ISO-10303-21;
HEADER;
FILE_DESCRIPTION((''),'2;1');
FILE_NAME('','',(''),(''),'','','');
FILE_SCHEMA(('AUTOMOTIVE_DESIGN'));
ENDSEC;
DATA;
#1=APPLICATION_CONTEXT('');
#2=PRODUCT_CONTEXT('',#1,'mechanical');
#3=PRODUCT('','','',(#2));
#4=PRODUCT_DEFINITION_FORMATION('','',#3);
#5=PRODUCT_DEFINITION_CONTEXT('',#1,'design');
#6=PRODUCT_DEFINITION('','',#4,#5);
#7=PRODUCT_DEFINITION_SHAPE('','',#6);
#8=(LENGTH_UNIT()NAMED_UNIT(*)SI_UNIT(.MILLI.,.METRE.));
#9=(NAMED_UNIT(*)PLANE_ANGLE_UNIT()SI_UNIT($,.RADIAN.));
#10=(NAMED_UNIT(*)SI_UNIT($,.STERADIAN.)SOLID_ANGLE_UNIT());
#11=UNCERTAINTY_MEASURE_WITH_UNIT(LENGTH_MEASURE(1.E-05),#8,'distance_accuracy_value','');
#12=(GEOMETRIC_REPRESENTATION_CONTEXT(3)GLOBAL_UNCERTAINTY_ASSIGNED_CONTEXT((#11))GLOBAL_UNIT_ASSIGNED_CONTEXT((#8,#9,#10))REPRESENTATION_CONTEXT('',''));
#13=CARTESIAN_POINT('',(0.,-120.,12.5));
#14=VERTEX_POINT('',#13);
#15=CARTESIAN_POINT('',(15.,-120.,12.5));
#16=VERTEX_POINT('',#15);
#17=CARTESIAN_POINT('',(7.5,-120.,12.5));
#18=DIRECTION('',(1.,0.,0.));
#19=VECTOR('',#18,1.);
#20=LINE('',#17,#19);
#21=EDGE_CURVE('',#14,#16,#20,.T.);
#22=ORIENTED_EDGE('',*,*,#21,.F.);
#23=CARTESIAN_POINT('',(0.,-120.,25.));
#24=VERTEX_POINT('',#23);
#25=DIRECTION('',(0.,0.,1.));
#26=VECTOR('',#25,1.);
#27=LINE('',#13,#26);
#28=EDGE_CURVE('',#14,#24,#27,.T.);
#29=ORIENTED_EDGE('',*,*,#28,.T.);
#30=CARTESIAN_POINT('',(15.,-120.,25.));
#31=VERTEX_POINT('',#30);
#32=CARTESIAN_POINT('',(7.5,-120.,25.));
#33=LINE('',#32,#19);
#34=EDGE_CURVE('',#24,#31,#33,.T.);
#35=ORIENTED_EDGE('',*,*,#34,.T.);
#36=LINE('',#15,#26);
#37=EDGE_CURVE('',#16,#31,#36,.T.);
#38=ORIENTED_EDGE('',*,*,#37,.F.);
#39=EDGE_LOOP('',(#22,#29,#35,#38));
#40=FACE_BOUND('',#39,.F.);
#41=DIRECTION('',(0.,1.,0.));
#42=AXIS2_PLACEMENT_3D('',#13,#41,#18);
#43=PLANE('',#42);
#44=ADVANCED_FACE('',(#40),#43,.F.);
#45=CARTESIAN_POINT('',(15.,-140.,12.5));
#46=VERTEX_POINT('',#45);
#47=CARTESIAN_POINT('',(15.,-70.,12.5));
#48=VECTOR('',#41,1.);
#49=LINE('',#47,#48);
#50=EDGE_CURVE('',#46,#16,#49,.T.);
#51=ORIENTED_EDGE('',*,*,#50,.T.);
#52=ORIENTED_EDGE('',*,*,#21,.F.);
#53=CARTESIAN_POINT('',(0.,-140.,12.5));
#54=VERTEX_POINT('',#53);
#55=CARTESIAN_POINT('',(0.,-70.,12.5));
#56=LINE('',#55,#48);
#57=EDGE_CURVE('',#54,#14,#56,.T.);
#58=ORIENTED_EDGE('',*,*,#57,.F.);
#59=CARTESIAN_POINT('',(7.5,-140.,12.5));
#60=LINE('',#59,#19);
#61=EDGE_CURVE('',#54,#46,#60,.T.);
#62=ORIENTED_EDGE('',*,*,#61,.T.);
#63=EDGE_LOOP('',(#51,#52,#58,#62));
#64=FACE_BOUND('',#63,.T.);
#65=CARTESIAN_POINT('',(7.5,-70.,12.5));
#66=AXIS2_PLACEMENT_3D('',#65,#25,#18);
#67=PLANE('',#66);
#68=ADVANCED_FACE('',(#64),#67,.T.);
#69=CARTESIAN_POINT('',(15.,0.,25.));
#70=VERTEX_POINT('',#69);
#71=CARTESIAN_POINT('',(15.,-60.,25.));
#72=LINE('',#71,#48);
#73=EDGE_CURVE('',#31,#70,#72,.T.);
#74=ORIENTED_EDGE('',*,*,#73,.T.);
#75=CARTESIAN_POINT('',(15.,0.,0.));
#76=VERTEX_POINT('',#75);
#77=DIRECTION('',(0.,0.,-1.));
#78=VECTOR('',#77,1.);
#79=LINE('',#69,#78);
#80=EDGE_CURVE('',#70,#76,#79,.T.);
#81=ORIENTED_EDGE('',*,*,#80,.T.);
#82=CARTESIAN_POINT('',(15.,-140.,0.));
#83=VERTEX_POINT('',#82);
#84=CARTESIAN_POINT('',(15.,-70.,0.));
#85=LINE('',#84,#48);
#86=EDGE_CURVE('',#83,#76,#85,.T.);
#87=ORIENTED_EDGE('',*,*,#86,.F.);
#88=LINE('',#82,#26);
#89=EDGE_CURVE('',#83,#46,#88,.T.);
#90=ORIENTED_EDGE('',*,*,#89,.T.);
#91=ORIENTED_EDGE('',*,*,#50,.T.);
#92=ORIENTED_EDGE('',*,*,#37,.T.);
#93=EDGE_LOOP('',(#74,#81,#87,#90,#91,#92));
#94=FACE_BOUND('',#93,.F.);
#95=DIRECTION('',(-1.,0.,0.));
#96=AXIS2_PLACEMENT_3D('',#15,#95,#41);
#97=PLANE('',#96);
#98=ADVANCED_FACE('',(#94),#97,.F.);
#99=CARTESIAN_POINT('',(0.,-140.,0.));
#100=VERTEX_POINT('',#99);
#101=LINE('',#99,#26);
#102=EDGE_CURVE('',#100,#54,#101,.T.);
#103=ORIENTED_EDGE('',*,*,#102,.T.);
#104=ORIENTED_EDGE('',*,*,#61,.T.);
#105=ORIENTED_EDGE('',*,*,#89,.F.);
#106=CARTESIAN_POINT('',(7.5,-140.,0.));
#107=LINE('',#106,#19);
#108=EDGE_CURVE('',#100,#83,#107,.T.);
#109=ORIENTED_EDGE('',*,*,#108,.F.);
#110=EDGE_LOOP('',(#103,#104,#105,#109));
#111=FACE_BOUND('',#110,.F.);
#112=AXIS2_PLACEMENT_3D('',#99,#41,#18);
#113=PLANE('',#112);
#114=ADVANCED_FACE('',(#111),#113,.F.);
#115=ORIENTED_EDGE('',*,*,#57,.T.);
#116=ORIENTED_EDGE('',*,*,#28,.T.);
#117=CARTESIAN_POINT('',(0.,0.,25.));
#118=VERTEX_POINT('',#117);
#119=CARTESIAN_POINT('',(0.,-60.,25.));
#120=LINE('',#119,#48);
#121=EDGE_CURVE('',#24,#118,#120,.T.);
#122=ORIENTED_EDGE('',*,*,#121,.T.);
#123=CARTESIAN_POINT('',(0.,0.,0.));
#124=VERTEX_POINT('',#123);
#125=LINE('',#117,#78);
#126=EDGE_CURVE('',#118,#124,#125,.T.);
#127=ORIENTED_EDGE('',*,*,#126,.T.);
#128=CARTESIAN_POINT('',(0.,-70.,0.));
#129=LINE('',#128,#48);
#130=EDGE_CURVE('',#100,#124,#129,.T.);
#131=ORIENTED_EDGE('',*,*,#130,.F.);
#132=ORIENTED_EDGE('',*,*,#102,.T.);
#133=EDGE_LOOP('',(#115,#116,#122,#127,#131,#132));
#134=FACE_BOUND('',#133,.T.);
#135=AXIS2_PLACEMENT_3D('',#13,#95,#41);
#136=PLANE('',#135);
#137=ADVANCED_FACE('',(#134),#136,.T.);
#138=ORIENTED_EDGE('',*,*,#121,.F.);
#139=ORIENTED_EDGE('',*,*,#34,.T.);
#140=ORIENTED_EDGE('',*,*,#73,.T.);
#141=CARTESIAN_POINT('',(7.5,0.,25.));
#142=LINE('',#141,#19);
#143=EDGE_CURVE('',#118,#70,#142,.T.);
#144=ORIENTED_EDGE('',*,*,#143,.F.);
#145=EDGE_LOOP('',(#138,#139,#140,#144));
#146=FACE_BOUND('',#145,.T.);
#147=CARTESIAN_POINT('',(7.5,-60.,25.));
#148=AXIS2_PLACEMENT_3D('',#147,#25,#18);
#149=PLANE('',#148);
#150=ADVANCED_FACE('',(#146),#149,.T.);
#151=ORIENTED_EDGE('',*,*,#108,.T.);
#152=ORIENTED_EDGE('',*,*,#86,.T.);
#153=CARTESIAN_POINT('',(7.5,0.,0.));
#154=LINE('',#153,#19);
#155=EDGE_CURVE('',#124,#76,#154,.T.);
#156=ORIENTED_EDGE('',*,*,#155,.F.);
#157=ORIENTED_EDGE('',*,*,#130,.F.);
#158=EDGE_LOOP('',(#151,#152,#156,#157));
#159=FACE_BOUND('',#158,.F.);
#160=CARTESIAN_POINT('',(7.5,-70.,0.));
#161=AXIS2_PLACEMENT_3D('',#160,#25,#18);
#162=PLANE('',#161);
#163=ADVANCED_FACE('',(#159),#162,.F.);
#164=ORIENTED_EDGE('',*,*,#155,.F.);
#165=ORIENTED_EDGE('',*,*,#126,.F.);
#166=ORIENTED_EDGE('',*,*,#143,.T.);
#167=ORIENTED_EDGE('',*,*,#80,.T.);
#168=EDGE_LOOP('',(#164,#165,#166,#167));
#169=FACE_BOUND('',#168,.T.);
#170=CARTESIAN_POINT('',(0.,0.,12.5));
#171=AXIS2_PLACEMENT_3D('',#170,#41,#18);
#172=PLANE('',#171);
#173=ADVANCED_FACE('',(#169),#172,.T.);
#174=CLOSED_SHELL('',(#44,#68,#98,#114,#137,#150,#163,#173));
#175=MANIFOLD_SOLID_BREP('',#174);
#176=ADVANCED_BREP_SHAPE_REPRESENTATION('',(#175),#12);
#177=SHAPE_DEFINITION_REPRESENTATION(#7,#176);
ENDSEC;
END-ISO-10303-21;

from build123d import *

# Parameters (mm, degrees)
SKETCH_W     = 15
SKETCH_H     = 140
PAD_DEPTH    = 12.5
SKETCH001_W  = 15
SKETCH001_H  = 120
PAD001_DEPTH = 12.5


with BuildPart() as part:
    # Sketch → Pad (new body)
    with BuildSketch(Plane.XY):
        with Locations((7.5, -70)):
            Rectangle(SKETCH_W, SKETCH_H)
    extrude(amount=PAD_DEPTH)

    # Sketch001 (on Face6 of Pad) → Pad001 (join)
    with BuildSketch(Plane.XY.offset(12.5)):
        with Locations((7.5, -60)):
            Rectangle(SKETCH001_W, SKETCH001_H)
    extrude(amount=PAD001_DEPTH)


solid = part.part
